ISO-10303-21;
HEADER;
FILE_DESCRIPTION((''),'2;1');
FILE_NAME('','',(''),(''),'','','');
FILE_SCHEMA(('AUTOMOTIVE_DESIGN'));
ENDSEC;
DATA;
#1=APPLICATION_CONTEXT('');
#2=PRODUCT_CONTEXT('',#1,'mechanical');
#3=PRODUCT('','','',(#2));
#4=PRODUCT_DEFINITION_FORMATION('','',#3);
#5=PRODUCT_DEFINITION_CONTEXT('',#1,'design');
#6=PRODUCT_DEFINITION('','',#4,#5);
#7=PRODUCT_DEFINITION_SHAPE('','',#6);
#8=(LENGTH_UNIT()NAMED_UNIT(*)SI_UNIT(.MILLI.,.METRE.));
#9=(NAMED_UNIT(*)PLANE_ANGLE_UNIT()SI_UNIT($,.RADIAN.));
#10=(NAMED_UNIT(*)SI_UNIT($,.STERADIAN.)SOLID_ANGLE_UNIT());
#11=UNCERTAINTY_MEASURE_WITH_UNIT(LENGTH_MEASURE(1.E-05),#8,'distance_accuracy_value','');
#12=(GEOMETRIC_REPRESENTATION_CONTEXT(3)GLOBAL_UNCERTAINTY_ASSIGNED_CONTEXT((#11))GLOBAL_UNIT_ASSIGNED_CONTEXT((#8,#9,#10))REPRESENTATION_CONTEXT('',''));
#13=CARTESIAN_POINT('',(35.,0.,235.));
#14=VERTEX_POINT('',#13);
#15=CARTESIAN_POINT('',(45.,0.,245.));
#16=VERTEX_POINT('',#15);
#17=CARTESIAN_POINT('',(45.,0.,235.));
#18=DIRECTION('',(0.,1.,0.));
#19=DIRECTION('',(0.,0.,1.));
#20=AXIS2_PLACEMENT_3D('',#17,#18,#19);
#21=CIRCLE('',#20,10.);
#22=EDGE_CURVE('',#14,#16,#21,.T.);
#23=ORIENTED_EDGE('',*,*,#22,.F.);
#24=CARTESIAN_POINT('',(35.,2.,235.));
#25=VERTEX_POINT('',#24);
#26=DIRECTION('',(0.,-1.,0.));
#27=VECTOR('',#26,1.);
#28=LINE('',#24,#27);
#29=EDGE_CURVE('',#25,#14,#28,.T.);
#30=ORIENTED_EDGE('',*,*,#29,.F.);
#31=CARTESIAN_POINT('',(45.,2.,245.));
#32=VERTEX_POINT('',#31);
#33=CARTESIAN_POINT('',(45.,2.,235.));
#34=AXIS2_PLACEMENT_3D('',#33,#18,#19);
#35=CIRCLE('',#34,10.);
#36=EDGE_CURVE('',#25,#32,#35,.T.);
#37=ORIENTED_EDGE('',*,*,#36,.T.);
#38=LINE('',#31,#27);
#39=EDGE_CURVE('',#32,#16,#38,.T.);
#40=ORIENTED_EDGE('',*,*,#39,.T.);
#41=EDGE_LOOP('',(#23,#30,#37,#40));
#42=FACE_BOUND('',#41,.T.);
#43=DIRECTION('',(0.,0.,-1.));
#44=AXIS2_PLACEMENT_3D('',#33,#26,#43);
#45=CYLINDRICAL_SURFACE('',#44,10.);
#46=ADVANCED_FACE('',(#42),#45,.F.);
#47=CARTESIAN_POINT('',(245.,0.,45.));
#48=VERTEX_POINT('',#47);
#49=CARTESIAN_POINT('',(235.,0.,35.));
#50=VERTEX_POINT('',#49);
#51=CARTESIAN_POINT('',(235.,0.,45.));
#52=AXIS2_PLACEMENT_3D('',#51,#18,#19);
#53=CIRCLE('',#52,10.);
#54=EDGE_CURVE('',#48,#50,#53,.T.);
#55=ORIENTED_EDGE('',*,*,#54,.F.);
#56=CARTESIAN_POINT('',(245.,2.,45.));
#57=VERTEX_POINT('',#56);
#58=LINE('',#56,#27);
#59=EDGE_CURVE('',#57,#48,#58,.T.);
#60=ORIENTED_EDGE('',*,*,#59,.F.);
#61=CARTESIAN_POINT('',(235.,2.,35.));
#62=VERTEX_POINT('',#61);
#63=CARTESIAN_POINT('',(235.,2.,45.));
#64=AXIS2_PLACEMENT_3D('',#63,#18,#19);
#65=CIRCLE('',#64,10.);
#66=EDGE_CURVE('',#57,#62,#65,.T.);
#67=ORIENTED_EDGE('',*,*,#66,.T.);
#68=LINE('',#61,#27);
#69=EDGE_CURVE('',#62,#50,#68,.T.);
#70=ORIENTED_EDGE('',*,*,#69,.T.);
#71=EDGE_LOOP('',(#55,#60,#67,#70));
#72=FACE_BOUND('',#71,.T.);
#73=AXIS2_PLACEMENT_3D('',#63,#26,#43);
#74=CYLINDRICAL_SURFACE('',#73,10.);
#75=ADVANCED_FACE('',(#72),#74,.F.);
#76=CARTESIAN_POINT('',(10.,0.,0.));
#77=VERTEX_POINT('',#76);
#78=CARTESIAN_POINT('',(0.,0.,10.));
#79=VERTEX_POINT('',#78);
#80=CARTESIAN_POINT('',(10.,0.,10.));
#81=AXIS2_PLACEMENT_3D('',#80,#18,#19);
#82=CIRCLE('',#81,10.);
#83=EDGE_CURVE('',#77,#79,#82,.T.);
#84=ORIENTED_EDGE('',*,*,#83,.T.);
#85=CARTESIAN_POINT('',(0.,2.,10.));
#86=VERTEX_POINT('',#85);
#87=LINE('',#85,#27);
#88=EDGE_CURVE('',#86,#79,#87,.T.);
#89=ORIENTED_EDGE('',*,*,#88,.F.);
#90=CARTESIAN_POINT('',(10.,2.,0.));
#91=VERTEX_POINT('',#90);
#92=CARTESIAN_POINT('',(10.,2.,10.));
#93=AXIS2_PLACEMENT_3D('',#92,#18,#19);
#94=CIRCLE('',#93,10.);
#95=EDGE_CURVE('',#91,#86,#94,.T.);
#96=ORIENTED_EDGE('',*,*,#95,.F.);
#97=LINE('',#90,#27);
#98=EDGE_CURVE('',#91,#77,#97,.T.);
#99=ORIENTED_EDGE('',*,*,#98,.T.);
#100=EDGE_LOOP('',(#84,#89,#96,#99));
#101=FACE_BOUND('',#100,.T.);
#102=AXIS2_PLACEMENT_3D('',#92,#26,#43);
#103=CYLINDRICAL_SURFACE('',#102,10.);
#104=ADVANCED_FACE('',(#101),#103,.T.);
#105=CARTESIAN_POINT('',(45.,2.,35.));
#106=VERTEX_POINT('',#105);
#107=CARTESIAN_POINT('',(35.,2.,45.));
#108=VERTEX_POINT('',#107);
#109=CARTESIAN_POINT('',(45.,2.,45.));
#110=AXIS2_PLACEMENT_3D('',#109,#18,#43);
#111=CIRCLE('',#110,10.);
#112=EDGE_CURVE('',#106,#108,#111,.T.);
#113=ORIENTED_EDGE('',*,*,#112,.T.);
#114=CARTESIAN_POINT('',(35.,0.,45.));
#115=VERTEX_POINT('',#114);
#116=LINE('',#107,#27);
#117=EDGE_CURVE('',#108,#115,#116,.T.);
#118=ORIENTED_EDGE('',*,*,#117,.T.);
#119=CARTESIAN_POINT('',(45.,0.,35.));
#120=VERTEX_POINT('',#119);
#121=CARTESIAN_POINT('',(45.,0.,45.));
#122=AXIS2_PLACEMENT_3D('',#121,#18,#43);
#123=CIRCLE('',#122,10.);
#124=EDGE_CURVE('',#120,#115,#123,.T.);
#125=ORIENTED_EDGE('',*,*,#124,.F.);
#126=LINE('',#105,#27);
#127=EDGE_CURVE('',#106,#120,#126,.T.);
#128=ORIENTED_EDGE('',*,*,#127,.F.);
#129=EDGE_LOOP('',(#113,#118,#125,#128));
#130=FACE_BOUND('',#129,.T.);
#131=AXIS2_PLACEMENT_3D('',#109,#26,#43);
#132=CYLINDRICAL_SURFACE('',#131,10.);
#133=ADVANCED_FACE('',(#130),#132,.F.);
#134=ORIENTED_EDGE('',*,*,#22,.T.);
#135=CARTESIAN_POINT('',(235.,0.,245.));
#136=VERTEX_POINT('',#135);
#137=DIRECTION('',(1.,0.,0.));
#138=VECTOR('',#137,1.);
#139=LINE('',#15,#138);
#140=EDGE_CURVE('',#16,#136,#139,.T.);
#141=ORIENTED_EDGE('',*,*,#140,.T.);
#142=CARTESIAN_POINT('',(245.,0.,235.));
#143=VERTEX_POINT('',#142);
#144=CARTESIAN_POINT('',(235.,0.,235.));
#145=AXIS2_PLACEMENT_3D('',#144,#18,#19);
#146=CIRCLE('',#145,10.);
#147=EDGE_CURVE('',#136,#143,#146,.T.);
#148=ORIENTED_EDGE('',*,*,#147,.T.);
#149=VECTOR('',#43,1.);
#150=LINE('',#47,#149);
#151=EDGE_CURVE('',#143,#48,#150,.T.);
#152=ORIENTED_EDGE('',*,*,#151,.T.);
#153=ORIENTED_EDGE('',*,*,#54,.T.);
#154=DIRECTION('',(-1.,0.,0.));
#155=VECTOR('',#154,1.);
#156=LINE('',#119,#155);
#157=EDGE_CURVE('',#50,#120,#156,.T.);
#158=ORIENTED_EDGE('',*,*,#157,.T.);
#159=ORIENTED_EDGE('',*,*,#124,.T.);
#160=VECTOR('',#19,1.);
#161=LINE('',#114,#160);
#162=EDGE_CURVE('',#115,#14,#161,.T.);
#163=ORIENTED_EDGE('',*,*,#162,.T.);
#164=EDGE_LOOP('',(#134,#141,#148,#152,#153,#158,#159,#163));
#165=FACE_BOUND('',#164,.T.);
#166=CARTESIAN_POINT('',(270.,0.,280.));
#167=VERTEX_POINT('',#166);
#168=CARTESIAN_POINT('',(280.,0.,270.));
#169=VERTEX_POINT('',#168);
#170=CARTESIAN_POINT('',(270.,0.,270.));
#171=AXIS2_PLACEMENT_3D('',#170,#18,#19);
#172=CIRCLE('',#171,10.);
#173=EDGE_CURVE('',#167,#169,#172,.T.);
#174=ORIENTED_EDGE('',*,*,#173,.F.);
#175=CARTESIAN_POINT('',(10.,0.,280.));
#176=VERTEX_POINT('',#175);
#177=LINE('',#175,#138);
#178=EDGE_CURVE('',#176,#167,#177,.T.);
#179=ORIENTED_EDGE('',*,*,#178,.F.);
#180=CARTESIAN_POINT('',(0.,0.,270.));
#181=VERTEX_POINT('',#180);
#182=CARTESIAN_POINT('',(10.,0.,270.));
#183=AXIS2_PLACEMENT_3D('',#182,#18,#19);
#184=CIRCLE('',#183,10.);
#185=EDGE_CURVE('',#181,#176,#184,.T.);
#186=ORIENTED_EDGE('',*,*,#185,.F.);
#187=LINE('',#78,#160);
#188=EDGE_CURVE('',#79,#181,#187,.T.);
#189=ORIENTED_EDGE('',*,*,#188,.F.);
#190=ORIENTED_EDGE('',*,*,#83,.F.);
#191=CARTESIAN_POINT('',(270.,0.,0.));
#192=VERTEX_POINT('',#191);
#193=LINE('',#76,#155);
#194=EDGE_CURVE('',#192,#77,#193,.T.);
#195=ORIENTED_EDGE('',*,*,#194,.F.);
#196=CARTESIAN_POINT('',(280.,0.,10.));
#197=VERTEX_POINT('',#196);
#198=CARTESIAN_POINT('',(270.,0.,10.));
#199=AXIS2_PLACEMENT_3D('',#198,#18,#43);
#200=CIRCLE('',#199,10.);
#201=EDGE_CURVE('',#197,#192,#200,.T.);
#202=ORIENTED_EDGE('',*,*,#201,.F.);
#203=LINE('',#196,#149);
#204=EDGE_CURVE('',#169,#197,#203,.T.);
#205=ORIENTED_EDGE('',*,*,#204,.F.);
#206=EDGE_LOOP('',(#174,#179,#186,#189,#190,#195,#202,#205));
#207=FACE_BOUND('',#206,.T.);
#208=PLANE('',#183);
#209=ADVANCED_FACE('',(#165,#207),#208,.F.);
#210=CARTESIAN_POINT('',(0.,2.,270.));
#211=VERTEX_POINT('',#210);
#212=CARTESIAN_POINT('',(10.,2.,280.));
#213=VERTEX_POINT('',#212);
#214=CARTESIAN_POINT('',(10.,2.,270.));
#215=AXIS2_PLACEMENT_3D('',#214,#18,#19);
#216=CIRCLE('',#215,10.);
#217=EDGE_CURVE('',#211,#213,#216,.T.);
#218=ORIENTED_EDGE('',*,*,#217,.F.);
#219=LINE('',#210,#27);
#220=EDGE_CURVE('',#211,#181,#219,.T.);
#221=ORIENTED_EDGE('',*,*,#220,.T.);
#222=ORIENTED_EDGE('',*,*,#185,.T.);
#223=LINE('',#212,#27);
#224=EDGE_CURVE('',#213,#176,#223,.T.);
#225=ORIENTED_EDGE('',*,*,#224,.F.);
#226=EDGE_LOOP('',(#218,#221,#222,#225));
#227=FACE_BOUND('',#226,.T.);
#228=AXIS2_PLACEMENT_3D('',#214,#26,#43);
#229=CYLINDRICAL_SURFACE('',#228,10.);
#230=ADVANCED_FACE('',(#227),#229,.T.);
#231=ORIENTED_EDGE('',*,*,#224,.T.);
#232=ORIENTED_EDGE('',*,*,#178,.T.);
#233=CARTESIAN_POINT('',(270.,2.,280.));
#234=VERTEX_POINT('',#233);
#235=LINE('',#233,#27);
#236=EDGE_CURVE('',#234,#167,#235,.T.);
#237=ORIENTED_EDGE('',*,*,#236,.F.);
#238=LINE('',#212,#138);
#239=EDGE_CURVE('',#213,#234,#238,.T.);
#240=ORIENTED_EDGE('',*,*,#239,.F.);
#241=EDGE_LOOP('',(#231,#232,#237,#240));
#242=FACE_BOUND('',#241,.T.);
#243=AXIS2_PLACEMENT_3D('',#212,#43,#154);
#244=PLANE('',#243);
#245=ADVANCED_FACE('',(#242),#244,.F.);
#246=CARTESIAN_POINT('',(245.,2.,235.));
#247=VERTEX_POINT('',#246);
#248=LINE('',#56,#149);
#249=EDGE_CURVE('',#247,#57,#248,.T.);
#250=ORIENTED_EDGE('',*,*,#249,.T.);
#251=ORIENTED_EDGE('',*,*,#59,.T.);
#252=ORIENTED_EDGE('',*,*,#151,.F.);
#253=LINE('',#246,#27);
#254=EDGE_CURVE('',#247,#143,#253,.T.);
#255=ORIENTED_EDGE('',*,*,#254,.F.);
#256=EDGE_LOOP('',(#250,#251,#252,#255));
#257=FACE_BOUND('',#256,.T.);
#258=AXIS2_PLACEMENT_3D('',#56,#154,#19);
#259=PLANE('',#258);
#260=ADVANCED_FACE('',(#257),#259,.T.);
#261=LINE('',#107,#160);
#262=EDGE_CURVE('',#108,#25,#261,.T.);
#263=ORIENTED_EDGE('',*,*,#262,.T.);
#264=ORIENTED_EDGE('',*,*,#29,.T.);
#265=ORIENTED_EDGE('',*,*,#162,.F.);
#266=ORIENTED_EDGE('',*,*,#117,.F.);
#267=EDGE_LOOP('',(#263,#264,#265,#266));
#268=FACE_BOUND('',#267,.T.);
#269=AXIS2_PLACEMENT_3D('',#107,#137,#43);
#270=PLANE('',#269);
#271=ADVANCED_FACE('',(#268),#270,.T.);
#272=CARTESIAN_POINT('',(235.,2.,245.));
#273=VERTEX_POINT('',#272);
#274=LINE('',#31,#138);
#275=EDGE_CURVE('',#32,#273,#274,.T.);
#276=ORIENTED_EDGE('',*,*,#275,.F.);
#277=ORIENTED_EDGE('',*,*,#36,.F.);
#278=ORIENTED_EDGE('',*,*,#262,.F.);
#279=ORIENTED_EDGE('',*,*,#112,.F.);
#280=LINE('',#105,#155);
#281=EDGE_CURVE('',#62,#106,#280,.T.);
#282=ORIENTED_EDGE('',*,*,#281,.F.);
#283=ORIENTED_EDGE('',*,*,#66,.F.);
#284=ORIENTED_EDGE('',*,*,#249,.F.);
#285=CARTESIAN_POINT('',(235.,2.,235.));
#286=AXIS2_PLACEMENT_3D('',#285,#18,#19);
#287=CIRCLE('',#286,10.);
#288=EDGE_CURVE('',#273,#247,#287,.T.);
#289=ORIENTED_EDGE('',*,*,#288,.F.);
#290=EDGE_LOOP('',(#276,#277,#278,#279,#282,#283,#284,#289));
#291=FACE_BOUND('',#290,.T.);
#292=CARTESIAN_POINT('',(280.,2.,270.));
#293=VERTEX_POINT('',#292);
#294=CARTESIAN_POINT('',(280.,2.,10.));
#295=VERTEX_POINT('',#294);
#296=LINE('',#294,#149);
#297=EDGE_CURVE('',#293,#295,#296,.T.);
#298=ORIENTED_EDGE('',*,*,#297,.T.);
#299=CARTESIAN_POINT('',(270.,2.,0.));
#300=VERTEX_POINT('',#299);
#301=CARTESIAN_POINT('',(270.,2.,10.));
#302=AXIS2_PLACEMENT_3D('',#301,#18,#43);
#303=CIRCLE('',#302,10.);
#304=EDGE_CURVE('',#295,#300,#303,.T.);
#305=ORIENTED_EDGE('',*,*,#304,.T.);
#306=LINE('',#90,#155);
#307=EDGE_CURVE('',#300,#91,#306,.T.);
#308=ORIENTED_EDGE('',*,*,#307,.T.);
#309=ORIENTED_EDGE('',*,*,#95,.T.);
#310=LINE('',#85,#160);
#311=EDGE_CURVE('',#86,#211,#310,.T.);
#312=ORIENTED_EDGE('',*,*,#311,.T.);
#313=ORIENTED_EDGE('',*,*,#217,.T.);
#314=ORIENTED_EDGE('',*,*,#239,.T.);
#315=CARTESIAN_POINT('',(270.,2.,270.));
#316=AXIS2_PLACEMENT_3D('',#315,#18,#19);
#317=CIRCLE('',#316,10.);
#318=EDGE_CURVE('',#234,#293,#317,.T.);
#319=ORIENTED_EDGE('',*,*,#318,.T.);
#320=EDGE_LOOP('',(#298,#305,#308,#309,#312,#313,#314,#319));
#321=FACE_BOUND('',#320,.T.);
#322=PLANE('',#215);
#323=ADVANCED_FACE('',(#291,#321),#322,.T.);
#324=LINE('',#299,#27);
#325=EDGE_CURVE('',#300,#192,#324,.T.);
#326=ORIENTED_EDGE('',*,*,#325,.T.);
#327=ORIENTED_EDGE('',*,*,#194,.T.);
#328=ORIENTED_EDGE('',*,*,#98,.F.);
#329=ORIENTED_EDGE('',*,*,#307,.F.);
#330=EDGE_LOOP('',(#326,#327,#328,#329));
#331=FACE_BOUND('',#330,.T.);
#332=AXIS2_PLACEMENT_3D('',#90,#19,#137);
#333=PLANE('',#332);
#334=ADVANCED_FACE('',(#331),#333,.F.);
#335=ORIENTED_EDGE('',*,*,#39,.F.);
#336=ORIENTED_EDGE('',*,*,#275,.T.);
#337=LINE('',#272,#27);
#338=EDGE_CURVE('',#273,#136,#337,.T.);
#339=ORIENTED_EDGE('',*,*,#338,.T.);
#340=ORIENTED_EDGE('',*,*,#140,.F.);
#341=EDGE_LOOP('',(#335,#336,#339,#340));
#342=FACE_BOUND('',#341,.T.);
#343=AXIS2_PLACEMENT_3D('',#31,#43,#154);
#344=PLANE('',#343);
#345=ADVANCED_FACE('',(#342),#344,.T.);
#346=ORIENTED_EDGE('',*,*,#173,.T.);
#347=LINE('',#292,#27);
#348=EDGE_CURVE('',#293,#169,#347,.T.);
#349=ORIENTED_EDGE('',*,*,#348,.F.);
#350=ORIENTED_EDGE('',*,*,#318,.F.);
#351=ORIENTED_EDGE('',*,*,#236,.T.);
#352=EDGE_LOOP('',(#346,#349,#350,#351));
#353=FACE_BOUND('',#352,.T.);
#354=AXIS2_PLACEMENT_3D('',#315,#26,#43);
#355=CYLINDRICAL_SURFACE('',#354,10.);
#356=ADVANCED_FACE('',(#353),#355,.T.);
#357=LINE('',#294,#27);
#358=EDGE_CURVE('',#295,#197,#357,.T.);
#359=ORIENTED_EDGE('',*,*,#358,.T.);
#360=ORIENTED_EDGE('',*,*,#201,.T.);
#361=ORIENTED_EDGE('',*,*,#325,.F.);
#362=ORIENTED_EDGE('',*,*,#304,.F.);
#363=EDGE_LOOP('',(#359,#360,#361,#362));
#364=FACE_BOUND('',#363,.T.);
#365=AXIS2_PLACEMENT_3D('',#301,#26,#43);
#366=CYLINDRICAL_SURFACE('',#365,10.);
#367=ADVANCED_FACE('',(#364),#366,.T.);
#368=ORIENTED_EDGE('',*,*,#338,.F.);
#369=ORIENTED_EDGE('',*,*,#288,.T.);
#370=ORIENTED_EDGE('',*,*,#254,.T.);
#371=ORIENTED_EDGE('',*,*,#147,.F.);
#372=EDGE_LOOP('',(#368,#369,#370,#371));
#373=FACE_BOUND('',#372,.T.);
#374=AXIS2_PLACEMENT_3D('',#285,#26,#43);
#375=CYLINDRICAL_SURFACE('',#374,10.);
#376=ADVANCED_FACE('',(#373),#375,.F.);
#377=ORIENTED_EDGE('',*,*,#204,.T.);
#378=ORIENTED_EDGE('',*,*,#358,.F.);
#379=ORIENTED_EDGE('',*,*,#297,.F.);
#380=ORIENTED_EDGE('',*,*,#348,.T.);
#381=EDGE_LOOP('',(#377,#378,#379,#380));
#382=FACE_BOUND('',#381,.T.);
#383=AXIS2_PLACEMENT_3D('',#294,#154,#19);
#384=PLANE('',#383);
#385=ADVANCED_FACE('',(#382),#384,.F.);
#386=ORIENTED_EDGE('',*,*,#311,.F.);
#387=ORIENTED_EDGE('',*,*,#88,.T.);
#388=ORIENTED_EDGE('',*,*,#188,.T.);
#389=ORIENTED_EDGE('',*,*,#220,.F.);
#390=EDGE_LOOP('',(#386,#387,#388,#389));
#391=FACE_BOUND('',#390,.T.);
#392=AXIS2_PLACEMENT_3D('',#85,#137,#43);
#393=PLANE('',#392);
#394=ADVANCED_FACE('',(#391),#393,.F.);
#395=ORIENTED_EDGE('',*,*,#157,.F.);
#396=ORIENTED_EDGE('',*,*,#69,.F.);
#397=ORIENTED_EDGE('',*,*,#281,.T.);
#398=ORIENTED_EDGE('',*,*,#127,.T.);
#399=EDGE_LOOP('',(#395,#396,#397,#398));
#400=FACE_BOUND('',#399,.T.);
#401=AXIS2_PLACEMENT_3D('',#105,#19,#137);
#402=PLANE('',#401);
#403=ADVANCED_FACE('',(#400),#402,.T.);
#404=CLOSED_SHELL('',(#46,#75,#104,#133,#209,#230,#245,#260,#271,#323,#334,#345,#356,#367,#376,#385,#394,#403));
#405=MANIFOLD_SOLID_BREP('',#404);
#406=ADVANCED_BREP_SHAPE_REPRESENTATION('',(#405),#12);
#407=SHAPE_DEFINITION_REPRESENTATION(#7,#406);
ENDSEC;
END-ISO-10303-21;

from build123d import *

# Parameters (mm, degrees)
EXTRUDE_1_DEPTH = 2


with BuildPart() as part:
    # 草图1 → 凸台-拉伸1 (new body)
    with BuildSketch(Plane(origin=(0, 0, 0), x_dir=(1, 0, 0), z_dir=(0, 1, 0))):
        with BuildLine():
            Line((10, 0), (270, 0))
            ThreePointArc((270, 0), (277.071067812, -2.928932188), (280, -10))
            Line((280, -10), (280, -270))
            ThreePointArc((280, -270), (277.071067812, -277.071067812), (270, -280))
            Line((270, -280), (10, -280))
            ThreePointArc((10, -280), (2.928932188, -277.071067812), (0, -270))
            Line((0, -270), (0, -10))
            ThreePointArc((0, -10), (2.928932188, -2.928932188), (10, 0))
        make_face()
        with BuildLine():
            Line((45, -35), (235, -35))
            ThreePointArc((235, -35), (242.071067812, -37.928932188), (245, -45))
            Line((245, -45), (245, -235))
            ThreePointArc((245, -235), (242.071067812, -242.071067812), (235, -245))
            Line((235, -245), (45, -245))
            ThreePointArc((45, -245), (37.928932188, -242.071067812), (35, -235))
            Line((35, -235), (35, -45))
            ThreePointArc((35, -45), (37.928932188, -37.928932188), (45, -35))
        make_face(mode=Mode.SUBTRACT)
    extrude(amount=EXTRUDE_1_DEPTH)


solid = part.part
